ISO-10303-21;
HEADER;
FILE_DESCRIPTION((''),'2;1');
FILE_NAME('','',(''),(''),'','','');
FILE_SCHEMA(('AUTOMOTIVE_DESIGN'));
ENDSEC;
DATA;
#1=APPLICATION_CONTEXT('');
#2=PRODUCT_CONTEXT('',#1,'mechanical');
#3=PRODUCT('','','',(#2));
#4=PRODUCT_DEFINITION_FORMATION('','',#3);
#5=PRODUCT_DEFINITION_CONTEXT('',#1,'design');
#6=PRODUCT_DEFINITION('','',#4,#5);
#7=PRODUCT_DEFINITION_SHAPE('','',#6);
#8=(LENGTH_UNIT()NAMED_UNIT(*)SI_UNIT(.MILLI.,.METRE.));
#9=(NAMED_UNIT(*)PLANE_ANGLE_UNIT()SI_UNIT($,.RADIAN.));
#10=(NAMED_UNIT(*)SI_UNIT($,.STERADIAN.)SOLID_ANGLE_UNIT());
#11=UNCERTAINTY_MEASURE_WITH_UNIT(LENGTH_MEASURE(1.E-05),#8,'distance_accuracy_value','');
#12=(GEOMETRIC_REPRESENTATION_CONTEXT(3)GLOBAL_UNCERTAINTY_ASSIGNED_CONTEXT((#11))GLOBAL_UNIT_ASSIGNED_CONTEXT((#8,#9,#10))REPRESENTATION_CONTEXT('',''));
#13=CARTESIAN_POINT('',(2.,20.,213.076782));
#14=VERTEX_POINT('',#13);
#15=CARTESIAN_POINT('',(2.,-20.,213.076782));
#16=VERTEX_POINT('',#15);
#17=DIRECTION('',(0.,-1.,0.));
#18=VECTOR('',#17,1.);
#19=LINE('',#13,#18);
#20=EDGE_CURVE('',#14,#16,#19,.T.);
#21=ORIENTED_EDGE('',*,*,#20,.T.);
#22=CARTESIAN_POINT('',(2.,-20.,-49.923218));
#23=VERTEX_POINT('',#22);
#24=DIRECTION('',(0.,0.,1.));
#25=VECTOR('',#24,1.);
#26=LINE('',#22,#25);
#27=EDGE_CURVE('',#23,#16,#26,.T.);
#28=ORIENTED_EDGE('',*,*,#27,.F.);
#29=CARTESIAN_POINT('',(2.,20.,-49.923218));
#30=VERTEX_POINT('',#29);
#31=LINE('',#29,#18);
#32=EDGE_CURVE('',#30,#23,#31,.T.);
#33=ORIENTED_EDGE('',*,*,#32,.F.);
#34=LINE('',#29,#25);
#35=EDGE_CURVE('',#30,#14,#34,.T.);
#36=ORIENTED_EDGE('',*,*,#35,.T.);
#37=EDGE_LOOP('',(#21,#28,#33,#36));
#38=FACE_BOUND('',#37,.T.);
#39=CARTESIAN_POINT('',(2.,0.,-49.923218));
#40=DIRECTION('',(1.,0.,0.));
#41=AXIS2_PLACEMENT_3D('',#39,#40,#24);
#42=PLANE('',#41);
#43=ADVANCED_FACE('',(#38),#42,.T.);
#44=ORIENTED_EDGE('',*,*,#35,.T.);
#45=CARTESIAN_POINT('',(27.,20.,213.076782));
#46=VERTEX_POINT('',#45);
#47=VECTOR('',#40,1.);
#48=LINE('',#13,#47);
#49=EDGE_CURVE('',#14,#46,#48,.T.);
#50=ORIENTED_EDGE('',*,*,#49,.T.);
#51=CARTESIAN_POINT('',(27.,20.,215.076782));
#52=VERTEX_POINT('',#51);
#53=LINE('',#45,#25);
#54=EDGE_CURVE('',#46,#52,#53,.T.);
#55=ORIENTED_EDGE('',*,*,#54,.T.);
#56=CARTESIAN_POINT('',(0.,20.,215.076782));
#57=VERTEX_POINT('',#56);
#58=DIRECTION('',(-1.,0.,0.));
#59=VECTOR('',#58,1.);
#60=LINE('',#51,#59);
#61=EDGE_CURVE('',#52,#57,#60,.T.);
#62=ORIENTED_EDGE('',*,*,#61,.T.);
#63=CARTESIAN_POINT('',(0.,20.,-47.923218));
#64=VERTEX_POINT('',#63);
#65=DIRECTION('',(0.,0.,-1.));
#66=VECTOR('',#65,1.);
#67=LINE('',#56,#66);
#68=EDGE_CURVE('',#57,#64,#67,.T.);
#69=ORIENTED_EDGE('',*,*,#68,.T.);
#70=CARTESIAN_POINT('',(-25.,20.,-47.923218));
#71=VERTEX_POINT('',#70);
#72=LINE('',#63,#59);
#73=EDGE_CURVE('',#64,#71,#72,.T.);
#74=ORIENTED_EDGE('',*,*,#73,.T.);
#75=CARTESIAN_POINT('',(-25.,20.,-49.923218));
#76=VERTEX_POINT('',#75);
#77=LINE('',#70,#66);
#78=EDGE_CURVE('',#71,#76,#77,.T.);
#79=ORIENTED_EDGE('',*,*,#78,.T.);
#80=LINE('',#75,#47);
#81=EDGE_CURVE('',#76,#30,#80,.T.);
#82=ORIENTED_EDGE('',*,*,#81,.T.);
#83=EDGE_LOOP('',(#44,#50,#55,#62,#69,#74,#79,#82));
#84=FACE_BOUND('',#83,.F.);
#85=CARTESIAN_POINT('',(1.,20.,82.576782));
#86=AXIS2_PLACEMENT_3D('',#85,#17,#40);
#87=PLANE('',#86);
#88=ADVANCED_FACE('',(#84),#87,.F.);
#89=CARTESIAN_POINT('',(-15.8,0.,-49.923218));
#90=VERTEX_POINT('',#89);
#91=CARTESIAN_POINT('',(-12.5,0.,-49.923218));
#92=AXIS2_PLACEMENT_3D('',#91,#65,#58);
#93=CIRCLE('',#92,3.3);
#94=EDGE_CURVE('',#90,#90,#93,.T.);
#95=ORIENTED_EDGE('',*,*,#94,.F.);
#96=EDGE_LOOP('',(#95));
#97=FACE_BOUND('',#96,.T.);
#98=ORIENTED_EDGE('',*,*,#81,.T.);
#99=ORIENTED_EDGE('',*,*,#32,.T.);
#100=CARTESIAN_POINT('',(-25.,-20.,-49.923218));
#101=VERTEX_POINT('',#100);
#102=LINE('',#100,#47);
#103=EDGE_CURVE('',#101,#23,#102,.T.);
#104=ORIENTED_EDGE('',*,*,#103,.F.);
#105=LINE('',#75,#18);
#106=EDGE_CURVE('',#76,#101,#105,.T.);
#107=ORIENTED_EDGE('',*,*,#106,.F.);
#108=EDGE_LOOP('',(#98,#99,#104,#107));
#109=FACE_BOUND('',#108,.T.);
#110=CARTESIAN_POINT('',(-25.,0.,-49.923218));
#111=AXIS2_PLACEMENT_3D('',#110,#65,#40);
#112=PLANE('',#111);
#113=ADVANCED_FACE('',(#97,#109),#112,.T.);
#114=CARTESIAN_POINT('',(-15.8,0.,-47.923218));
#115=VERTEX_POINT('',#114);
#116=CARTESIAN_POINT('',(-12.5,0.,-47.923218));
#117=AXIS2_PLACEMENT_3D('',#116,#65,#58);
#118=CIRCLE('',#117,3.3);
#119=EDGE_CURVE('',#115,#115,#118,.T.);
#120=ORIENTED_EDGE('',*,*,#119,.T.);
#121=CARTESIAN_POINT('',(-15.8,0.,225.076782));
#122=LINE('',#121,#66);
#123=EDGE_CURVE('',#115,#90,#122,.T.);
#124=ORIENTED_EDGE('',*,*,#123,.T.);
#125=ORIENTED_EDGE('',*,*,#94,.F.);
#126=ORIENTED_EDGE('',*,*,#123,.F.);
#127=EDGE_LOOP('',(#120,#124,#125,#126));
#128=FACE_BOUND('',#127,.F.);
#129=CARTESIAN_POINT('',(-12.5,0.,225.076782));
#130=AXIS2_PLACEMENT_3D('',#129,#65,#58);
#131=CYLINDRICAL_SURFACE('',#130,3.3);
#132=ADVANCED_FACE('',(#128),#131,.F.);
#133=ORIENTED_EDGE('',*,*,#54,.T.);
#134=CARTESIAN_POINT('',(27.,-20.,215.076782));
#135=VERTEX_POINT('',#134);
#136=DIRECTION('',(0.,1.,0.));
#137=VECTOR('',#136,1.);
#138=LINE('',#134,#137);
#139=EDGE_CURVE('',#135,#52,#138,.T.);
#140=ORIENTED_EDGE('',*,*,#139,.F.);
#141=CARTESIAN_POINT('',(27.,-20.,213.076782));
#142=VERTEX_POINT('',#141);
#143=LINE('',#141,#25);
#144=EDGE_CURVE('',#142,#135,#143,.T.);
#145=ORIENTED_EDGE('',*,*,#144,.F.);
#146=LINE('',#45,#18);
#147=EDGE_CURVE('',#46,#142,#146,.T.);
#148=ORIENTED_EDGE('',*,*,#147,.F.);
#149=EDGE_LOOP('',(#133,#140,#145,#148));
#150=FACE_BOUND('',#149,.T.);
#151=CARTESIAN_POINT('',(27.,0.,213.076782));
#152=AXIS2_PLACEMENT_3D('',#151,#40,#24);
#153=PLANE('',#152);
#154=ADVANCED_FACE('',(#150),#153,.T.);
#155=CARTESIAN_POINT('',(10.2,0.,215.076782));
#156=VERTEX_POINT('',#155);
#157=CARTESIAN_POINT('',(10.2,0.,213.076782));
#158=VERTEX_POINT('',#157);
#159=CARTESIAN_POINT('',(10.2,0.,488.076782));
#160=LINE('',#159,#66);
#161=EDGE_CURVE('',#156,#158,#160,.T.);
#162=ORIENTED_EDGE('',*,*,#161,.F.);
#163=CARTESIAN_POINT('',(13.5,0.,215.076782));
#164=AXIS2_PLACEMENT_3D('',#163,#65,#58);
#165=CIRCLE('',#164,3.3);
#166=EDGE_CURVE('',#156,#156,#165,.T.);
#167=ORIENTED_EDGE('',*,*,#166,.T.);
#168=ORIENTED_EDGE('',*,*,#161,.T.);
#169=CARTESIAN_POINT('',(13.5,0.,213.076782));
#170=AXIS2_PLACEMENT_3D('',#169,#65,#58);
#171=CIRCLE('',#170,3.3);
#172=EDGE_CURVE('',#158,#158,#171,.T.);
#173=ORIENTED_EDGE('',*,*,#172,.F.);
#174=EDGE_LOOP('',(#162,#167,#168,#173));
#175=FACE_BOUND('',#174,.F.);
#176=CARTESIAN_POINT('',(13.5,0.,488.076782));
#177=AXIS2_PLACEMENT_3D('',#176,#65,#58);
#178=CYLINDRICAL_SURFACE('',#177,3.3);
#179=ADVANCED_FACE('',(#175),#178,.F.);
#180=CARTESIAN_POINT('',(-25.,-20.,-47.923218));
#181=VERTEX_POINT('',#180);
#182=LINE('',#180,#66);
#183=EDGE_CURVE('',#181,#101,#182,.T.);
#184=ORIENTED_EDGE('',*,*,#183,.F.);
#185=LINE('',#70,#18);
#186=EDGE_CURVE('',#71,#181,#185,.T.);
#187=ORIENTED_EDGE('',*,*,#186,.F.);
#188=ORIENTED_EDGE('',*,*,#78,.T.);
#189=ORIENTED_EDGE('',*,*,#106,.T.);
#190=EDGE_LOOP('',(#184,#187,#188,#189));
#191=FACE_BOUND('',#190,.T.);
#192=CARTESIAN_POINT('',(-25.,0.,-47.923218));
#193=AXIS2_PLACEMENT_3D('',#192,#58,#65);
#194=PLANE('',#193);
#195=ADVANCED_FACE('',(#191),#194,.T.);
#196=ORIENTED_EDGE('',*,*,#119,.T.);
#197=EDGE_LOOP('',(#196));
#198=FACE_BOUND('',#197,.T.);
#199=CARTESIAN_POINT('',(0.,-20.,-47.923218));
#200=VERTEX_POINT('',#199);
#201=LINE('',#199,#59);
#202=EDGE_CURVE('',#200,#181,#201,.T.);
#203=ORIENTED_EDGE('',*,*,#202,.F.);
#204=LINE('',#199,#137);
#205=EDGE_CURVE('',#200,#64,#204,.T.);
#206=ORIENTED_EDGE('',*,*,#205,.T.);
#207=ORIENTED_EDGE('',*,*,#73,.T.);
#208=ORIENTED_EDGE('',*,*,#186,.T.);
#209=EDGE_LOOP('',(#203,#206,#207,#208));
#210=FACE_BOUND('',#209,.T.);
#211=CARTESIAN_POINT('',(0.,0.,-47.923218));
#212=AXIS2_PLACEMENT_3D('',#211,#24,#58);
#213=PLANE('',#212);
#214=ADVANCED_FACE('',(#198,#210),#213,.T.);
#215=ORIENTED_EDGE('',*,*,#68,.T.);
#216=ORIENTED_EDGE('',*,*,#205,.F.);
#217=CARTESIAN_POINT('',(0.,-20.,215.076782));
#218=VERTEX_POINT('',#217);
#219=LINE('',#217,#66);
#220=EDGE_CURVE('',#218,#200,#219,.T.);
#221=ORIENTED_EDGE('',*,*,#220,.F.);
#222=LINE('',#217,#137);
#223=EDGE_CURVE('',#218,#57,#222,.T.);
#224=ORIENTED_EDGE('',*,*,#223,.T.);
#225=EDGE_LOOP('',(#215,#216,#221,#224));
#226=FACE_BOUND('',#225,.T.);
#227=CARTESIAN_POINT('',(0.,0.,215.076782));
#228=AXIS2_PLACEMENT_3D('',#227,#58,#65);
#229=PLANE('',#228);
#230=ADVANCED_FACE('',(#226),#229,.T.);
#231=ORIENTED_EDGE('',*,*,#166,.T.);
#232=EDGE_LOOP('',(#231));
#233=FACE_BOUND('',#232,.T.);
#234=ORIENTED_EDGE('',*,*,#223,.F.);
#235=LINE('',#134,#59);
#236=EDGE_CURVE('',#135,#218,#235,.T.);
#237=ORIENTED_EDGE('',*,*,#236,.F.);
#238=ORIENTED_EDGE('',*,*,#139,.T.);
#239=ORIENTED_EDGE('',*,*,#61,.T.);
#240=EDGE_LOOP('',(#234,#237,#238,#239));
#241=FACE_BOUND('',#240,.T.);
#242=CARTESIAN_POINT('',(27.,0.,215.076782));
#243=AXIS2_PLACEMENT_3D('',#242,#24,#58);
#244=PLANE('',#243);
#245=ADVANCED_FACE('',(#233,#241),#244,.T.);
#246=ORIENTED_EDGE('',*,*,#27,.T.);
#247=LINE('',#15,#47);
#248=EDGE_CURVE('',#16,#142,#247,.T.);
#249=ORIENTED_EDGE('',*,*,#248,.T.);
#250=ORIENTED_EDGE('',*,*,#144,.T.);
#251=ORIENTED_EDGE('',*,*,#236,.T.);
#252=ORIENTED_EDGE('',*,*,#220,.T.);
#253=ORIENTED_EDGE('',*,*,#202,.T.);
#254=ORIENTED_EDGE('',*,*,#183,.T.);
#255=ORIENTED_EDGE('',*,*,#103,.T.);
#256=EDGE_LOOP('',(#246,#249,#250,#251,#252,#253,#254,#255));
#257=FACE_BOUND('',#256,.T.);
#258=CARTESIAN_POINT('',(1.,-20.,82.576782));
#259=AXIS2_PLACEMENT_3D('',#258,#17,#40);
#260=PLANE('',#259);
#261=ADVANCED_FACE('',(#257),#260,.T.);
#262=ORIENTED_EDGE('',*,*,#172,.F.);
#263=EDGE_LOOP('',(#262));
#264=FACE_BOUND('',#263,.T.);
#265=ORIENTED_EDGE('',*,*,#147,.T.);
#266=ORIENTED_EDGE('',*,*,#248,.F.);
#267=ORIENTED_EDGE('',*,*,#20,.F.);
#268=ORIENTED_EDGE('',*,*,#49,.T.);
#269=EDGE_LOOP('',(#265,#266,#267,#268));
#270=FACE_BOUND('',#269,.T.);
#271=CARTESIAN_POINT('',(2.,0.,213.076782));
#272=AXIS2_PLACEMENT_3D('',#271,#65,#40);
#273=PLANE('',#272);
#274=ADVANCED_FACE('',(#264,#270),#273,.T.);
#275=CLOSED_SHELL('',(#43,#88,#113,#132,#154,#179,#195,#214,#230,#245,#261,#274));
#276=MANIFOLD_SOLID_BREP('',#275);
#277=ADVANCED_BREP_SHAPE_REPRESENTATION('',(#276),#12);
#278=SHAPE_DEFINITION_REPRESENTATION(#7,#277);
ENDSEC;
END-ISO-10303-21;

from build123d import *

# Parameters (mm, degrees)
F1_DEPTH   = 20
F4_D       = 6.6
F4_ON_F3_D = 6.6


with BuildPart() as f1:
    # F0 (on Front) → F1 (new body, symmetric)
    with BuildSketch(Plane.XZ):
        Polygon((0, -47.9232184589), (-25, -47.9232184589), (-25, -49.9232184589), (2, -49.9232184589), (2, 213.0767815411), (27, 213.0767815411), (27, 215.0767815411), (0, 215.0767815411), align=None)
    extrude(amount=F1_DEPTH, both=True)

    # F4 (through all)
    with Locations(Plane.XY.offset(215.0767815411)):
        with Locations((13.5, 0)):
            Hole(F4_D / 2)

    # F4 on F3 (through all)
    with Locations(Plane.XY.offset(-47.9232184589)):
        with Locations((-12.5, 0)):
            Hole(F4_ON_F3_D / 2)


solid = f1.part
